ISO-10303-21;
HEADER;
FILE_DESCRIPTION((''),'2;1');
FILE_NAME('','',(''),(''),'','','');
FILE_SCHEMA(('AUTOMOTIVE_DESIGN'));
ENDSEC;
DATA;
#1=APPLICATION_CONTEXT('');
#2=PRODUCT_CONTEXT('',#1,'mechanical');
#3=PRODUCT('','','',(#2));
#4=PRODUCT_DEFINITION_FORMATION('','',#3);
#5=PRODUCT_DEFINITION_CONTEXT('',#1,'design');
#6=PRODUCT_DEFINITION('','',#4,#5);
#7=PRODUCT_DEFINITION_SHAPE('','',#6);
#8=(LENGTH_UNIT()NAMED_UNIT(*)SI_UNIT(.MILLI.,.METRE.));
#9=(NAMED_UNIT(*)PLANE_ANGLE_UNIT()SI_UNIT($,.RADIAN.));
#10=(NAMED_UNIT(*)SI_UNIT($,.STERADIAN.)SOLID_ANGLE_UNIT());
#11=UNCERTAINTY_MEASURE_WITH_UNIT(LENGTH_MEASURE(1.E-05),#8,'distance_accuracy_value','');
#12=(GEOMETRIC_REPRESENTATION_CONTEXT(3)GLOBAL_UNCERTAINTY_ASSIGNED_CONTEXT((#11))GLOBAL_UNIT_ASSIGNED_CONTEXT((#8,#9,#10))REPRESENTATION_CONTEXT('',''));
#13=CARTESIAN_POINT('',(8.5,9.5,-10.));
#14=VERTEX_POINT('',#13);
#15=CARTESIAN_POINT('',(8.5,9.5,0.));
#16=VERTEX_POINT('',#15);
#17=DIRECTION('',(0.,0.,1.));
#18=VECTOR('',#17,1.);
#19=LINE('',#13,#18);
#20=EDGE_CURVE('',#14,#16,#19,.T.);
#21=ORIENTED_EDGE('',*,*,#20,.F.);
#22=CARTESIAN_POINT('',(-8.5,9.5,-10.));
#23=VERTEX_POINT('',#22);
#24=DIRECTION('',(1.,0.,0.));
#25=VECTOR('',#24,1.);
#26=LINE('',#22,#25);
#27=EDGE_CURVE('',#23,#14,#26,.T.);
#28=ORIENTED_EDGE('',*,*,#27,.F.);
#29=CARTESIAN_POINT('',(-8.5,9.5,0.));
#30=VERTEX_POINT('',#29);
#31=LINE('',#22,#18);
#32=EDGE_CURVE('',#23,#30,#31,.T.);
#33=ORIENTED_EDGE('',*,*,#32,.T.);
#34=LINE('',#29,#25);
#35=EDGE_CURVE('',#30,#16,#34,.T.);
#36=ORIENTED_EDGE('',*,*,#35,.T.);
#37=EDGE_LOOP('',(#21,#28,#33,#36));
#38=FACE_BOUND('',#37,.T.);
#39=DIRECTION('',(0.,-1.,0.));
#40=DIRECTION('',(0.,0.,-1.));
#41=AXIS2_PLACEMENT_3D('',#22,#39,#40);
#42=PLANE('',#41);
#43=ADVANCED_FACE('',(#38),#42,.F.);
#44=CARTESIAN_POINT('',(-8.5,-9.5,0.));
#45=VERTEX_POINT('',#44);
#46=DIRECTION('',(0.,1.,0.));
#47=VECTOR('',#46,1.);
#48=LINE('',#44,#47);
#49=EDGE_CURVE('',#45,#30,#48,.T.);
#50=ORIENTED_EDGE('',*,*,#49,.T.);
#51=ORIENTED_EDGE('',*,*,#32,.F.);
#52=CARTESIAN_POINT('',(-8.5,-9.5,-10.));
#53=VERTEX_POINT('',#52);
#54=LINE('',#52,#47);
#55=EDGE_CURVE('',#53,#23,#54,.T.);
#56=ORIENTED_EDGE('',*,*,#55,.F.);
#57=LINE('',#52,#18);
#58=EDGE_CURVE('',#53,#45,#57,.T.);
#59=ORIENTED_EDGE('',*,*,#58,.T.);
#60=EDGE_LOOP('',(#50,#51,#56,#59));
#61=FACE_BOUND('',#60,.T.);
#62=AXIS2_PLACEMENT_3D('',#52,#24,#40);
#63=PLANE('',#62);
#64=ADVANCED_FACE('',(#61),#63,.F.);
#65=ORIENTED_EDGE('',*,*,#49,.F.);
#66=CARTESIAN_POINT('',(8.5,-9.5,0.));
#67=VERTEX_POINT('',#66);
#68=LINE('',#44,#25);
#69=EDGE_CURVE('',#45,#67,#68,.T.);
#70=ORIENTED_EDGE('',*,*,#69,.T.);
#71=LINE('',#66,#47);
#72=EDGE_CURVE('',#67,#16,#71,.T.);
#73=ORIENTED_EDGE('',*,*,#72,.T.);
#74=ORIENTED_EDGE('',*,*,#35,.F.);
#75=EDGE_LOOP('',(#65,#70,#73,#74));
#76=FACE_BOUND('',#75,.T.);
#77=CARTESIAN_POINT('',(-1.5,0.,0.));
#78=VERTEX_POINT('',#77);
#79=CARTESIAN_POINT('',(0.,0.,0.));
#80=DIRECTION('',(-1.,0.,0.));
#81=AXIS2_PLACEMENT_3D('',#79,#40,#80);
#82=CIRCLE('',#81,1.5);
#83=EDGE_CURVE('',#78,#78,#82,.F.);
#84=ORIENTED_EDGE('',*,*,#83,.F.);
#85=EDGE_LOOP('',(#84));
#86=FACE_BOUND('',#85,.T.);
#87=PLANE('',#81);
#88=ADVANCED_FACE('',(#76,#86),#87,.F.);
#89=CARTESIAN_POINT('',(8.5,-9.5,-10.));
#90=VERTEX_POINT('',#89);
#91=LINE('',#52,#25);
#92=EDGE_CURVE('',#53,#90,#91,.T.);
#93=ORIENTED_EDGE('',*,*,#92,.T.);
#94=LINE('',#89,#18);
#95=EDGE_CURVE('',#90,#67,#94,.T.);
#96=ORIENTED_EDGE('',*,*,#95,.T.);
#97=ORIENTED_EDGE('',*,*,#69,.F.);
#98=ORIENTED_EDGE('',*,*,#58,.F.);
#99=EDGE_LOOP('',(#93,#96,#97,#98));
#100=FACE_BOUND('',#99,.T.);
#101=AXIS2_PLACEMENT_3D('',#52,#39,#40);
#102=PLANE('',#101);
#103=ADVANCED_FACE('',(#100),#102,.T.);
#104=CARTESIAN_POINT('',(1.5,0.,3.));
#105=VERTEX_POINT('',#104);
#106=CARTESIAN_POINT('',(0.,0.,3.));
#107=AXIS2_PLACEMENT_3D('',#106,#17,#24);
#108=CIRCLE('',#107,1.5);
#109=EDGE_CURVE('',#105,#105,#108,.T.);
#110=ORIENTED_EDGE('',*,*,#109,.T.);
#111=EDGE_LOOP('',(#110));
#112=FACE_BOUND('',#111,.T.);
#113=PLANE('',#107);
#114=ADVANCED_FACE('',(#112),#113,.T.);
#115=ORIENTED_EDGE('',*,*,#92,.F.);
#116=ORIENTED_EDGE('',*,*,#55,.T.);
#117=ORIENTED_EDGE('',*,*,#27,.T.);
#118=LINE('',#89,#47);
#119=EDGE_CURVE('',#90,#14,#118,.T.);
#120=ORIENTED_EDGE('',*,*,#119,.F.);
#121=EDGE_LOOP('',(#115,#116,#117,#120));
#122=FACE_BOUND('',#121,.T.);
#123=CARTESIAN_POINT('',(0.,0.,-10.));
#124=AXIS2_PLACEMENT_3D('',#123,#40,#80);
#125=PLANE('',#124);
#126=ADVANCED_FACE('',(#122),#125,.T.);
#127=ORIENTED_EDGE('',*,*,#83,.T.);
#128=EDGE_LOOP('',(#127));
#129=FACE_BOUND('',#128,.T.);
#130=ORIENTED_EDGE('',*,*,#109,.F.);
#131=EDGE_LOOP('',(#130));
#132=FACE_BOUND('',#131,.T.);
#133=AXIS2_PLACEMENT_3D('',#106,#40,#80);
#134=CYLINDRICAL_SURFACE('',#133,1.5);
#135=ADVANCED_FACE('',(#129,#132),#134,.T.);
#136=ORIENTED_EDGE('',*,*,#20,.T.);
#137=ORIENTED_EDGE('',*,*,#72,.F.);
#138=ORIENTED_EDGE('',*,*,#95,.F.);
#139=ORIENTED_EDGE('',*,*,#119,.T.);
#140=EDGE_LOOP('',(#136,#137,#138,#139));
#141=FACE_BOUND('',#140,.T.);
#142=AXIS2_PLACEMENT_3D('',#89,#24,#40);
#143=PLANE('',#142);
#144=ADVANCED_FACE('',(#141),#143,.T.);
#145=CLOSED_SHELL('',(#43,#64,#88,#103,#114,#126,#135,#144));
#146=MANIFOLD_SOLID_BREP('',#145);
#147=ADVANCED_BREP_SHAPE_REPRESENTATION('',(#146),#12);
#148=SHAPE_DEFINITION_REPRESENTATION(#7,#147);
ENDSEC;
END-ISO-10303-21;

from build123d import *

# Parameters (mm, degrees)
SKETCH1_W           = 17
SKETCH1_H           = 19
BOSS_EXTRUDE1_DEPTH = 10
SKETCH3_R           = 1.5
BOSS_EXTRUDE2_DEPTH = 3


with BuildPart() as part:
    # Sketch1 → Boss-Extrude1 (new body)
    with BuildSketch(Plane.XY):
        Rectangle(SKETCH1_W, SKETCH1_H)
    extrude(amount=-BOSS_EXTRUDE1_DEPTH)

    # Sketch3 → Boss-Extrude2 (add)
    with BuildSketch(Plane.XY):
        with Locations(Location((0, 0, 0), (0, 0, 180))):
            Circle(SKETCH3_R)
    extrude(amount=BOSS_EXTRUDE2_DEPTH)


solid = part.part
